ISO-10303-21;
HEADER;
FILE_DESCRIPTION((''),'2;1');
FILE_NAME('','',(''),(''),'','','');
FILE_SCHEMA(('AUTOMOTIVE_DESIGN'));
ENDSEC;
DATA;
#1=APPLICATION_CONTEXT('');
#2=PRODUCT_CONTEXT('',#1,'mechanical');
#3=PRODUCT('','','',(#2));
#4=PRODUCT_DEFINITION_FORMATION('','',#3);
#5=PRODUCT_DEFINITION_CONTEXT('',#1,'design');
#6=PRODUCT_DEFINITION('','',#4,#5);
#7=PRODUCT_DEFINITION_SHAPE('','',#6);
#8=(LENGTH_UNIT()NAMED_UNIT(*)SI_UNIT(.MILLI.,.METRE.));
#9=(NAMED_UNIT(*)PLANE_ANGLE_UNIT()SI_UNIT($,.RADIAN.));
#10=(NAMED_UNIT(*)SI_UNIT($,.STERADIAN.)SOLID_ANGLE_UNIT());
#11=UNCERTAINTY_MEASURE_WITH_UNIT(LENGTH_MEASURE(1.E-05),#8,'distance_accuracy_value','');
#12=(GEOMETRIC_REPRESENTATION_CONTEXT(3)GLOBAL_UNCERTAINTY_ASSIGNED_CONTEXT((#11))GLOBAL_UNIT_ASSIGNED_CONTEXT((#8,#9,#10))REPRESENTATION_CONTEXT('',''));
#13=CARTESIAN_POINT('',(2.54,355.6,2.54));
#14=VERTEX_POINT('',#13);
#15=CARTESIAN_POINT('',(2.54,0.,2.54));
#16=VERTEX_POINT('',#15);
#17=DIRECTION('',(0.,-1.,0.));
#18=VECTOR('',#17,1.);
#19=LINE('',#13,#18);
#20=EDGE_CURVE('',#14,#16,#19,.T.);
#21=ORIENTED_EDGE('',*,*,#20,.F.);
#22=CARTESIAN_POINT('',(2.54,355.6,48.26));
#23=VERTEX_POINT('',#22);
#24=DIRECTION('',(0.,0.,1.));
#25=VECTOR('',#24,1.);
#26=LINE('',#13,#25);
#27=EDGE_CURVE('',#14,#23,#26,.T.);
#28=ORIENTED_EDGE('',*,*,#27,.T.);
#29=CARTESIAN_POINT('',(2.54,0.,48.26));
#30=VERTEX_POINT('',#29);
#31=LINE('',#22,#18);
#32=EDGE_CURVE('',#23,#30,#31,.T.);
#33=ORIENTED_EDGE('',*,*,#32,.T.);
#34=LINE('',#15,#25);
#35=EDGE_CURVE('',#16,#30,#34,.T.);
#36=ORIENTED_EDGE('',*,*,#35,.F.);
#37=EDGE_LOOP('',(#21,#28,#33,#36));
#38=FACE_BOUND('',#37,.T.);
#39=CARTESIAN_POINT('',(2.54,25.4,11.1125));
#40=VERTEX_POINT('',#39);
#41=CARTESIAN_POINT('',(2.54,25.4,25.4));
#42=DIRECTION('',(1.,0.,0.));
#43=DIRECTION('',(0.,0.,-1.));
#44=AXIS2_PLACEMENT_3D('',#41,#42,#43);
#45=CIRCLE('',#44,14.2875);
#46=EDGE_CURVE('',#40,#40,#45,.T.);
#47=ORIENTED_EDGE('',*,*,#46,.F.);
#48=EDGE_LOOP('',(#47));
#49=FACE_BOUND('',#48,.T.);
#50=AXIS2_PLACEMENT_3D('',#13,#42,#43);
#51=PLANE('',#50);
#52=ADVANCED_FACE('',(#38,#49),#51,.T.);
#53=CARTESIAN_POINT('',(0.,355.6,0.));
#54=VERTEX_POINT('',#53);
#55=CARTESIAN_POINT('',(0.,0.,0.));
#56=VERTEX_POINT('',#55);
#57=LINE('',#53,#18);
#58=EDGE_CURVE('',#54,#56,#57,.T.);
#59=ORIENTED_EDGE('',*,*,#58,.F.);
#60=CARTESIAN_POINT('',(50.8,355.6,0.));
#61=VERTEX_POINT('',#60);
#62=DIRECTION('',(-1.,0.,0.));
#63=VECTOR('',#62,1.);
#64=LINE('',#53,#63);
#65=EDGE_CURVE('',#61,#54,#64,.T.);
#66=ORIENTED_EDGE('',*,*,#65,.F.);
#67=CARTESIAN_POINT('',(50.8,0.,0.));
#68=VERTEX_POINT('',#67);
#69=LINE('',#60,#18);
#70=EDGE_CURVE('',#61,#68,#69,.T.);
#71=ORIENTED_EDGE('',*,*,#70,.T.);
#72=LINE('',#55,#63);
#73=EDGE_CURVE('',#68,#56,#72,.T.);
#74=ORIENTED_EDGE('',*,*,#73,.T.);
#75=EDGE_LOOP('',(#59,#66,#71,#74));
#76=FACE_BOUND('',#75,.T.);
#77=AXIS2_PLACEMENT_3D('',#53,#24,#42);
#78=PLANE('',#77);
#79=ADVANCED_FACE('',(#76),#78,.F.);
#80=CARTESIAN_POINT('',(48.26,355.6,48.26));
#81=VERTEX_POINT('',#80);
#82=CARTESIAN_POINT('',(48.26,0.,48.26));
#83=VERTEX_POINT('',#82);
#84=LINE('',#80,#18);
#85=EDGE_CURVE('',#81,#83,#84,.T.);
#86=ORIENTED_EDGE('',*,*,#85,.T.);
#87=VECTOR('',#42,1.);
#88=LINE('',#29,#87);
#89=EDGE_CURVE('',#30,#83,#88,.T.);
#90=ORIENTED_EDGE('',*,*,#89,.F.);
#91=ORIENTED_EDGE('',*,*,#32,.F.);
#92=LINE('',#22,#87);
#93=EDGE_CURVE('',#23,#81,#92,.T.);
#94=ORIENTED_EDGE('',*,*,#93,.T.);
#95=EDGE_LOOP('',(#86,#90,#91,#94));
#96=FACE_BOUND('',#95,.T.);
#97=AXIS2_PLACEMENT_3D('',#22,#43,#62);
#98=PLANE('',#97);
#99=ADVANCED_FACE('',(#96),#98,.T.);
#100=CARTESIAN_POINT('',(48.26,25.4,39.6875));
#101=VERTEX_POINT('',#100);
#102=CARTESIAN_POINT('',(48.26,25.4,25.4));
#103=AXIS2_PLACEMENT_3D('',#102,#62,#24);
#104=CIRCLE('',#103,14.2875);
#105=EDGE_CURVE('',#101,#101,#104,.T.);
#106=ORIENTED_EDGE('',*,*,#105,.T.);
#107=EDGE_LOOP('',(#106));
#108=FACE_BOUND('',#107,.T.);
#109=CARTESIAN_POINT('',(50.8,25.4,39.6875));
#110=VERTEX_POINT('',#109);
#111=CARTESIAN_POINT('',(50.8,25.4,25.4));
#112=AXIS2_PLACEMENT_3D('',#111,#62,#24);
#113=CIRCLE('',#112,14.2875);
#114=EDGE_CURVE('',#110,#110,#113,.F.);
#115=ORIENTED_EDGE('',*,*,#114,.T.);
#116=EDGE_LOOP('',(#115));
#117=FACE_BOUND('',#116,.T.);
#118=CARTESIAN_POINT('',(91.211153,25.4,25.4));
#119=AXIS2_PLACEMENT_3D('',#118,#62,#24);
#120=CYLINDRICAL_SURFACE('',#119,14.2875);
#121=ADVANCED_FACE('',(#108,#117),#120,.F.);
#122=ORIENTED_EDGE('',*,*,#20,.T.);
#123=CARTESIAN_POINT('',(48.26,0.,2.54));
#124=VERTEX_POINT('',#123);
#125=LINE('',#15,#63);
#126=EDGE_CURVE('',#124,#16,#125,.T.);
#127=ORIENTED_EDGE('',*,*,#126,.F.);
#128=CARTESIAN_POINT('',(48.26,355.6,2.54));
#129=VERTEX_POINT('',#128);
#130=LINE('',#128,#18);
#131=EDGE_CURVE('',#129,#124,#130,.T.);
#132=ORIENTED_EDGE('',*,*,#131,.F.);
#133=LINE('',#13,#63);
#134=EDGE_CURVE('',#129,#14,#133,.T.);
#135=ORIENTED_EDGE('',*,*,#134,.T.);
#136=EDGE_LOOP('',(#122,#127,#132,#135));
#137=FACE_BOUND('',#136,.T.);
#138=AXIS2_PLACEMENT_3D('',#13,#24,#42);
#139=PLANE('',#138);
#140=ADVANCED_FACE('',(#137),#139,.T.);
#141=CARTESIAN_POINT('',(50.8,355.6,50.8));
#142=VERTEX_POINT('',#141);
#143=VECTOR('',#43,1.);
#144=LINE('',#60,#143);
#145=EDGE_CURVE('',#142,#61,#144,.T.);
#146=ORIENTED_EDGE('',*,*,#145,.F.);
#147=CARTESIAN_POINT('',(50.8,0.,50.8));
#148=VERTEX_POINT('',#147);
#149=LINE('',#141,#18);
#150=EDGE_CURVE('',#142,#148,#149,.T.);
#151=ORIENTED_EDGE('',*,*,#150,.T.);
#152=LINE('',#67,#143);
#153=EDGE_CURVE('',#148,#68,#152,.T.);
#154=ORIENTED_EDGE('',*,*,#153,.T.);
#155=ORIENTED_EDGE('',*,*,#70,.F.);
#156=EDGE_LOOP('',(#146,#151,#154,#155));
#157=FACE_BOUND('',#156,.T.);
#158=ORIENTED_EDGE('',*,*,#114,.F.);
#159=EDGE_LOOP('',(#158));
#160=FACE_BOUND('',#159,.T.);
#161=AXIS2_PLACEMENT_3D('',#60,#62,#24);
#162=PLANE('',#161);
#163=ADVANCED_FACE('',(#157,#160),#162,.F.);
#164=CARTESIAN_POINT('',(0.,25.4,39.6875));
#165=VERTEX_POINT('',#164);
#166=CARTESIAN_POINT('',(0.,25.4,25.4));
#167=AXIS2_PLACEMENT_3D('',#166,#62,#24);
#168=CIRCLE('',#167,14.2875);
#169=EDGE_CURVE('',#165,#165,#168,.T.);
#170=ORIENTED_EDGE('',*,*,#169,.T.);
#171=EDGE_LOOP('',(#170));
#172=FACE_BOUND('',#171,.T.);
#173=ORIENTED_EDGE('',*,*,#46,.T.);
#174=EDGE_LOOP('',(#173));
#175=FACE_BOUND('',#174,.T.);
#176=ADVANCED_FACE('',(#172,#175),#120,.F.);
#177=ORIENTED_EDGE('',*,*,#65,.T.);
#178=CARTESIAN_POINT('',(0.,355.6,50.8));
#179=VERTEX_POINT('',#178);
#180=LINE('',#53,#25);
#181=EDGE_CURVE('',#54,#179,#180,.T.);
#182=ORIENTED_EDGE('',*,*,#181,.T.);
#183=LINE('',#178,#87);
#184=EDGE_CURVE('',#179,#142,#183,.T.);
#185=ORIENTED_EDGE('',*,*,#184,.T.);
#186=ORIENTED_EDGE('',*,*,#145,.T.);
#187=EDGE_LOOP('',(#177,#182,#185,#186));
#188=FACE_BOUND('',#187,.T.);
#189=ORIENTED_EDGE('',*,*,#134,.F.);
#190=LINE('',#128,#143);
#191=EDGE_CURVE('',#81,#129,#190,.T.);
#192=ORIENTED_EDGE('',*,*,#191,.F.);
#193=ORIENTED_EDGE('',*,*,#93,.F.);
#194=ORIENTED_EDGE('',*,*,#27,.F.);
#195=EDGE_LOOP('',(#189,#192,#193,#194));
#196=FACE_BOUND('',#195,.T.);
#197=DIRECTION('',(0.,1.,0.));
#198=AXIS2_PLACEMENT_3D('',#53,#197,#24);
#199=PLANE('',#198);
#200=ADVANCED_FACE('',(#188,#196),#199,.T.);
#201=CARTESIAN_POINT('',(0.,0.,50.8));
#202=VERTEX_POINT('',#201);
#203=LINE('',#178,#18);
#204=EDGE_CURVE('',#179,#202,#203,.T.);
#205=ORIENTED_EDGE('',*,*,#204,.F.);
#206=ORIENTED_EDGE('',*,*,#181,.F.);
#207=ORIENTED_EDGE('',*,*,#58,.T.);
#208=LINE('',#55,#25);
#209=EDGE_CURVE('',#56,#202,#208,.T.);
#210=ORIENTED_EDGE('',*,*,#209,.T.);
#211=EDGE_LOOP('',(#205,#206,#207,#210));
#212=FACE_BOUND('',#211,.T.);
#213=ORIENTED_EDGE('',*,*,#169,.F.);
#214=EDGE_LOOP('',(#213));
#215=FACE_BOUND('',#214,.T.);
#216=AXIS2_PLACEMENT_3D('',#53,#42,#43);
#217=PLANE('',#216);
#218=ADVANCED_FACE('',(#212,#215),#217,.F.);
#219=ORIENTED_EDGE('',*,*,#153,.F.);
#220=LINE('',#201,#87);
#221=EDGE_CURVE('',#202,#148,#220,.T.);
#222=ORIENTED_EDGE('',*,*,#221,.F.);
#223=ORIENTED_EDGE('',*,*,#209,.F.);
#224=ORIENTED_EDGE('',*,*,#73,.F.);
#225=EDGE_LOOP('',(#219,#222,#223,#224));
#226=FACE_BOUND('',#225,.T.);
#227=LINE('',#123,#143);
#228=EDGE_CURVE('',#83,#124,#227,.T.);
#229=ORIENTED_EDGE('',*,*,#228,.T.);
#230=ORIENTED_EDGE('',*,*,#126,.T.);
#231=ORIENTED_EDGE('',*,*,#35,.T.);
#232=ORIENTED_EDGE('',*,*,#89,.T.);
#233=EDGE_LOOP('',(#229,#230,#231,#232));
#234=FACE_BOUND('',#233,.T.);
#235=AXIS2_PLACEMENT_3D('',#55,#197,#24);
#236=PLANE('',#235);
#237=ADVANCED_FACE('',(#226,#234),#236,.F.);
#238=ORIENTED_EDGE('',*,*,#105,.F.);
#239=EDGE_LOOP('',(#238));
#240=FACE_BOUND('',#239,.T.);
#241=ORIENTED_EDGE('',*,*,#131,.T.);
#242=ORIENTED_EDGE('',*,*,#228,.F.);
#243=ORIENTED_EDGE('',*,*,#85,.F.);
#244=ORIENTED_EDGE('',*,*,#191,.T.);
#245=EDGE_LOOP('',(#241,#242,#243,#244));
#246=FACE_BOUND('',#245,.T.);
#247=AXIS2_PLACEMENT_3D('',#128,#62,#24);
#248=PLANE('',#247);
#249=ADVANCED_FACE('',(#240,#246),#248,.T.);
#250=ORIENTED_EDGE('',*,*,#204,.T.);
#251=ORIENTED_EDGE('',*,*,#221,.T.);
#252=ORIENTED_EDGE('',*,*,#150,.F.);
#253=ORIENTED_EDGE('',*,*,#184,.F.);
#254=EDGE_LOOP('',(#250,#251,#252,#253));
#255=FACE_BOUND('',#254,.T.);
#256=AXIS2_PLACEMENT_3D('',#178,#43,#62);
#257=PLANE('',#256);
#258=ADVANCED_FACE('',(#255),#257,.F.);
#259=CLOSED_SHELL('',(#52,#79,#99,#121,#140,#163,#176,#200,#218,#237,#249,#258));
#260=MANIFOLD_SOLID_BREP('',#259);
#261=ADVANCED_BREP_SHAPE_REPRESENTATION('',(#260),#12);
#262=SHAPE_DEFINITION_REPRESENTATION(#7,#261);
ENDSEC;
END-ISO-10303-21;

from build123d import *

# Parameters (mm, degrees)
SKETCH1_W           = 50.8
SKETCH1_H           = 50.8
SKETCH1_W_2         = 45.72
SKETCH1_H_2         = 45.72
BOSS_EXTRUDE1_DEPTH = 355.6
SKETCH2_R           = 14.2875
CUT_EXTRUDE1_DEPTH  = 50.8


with BuildPart() as part:
    # Sketch1 → Boss-Extrude1 (new body)
    with BuildSketch(Plane(origin=(0, 0, 0), x_dir=(1, 0, 0), z_dir=(0, 1, 0))):
        with Locations((25.4, -25.4)):
            Rectangle(SKETCH1_W, SKETCH1_H)
        with Locations((25.4, -25.4)):
            Rectangle(SKETCH1_W_2, SKETCH1_H_2, mode=Mode.SUBTRACT)
    extrude(amount=BOSS_EXTRUDE1_DEPTH)

    # Sketch2 → Cut-Extrude1 (cut)
    with BuildSketch(Plane.ZY):
        with Locations((25.4, 25.4)):
            Circle(SKETCH2_R)
    extrude(amount=-CUT_EXTRUDE1_DEPTH, mode=Mode.SUBTRACT)


solid = part.part
